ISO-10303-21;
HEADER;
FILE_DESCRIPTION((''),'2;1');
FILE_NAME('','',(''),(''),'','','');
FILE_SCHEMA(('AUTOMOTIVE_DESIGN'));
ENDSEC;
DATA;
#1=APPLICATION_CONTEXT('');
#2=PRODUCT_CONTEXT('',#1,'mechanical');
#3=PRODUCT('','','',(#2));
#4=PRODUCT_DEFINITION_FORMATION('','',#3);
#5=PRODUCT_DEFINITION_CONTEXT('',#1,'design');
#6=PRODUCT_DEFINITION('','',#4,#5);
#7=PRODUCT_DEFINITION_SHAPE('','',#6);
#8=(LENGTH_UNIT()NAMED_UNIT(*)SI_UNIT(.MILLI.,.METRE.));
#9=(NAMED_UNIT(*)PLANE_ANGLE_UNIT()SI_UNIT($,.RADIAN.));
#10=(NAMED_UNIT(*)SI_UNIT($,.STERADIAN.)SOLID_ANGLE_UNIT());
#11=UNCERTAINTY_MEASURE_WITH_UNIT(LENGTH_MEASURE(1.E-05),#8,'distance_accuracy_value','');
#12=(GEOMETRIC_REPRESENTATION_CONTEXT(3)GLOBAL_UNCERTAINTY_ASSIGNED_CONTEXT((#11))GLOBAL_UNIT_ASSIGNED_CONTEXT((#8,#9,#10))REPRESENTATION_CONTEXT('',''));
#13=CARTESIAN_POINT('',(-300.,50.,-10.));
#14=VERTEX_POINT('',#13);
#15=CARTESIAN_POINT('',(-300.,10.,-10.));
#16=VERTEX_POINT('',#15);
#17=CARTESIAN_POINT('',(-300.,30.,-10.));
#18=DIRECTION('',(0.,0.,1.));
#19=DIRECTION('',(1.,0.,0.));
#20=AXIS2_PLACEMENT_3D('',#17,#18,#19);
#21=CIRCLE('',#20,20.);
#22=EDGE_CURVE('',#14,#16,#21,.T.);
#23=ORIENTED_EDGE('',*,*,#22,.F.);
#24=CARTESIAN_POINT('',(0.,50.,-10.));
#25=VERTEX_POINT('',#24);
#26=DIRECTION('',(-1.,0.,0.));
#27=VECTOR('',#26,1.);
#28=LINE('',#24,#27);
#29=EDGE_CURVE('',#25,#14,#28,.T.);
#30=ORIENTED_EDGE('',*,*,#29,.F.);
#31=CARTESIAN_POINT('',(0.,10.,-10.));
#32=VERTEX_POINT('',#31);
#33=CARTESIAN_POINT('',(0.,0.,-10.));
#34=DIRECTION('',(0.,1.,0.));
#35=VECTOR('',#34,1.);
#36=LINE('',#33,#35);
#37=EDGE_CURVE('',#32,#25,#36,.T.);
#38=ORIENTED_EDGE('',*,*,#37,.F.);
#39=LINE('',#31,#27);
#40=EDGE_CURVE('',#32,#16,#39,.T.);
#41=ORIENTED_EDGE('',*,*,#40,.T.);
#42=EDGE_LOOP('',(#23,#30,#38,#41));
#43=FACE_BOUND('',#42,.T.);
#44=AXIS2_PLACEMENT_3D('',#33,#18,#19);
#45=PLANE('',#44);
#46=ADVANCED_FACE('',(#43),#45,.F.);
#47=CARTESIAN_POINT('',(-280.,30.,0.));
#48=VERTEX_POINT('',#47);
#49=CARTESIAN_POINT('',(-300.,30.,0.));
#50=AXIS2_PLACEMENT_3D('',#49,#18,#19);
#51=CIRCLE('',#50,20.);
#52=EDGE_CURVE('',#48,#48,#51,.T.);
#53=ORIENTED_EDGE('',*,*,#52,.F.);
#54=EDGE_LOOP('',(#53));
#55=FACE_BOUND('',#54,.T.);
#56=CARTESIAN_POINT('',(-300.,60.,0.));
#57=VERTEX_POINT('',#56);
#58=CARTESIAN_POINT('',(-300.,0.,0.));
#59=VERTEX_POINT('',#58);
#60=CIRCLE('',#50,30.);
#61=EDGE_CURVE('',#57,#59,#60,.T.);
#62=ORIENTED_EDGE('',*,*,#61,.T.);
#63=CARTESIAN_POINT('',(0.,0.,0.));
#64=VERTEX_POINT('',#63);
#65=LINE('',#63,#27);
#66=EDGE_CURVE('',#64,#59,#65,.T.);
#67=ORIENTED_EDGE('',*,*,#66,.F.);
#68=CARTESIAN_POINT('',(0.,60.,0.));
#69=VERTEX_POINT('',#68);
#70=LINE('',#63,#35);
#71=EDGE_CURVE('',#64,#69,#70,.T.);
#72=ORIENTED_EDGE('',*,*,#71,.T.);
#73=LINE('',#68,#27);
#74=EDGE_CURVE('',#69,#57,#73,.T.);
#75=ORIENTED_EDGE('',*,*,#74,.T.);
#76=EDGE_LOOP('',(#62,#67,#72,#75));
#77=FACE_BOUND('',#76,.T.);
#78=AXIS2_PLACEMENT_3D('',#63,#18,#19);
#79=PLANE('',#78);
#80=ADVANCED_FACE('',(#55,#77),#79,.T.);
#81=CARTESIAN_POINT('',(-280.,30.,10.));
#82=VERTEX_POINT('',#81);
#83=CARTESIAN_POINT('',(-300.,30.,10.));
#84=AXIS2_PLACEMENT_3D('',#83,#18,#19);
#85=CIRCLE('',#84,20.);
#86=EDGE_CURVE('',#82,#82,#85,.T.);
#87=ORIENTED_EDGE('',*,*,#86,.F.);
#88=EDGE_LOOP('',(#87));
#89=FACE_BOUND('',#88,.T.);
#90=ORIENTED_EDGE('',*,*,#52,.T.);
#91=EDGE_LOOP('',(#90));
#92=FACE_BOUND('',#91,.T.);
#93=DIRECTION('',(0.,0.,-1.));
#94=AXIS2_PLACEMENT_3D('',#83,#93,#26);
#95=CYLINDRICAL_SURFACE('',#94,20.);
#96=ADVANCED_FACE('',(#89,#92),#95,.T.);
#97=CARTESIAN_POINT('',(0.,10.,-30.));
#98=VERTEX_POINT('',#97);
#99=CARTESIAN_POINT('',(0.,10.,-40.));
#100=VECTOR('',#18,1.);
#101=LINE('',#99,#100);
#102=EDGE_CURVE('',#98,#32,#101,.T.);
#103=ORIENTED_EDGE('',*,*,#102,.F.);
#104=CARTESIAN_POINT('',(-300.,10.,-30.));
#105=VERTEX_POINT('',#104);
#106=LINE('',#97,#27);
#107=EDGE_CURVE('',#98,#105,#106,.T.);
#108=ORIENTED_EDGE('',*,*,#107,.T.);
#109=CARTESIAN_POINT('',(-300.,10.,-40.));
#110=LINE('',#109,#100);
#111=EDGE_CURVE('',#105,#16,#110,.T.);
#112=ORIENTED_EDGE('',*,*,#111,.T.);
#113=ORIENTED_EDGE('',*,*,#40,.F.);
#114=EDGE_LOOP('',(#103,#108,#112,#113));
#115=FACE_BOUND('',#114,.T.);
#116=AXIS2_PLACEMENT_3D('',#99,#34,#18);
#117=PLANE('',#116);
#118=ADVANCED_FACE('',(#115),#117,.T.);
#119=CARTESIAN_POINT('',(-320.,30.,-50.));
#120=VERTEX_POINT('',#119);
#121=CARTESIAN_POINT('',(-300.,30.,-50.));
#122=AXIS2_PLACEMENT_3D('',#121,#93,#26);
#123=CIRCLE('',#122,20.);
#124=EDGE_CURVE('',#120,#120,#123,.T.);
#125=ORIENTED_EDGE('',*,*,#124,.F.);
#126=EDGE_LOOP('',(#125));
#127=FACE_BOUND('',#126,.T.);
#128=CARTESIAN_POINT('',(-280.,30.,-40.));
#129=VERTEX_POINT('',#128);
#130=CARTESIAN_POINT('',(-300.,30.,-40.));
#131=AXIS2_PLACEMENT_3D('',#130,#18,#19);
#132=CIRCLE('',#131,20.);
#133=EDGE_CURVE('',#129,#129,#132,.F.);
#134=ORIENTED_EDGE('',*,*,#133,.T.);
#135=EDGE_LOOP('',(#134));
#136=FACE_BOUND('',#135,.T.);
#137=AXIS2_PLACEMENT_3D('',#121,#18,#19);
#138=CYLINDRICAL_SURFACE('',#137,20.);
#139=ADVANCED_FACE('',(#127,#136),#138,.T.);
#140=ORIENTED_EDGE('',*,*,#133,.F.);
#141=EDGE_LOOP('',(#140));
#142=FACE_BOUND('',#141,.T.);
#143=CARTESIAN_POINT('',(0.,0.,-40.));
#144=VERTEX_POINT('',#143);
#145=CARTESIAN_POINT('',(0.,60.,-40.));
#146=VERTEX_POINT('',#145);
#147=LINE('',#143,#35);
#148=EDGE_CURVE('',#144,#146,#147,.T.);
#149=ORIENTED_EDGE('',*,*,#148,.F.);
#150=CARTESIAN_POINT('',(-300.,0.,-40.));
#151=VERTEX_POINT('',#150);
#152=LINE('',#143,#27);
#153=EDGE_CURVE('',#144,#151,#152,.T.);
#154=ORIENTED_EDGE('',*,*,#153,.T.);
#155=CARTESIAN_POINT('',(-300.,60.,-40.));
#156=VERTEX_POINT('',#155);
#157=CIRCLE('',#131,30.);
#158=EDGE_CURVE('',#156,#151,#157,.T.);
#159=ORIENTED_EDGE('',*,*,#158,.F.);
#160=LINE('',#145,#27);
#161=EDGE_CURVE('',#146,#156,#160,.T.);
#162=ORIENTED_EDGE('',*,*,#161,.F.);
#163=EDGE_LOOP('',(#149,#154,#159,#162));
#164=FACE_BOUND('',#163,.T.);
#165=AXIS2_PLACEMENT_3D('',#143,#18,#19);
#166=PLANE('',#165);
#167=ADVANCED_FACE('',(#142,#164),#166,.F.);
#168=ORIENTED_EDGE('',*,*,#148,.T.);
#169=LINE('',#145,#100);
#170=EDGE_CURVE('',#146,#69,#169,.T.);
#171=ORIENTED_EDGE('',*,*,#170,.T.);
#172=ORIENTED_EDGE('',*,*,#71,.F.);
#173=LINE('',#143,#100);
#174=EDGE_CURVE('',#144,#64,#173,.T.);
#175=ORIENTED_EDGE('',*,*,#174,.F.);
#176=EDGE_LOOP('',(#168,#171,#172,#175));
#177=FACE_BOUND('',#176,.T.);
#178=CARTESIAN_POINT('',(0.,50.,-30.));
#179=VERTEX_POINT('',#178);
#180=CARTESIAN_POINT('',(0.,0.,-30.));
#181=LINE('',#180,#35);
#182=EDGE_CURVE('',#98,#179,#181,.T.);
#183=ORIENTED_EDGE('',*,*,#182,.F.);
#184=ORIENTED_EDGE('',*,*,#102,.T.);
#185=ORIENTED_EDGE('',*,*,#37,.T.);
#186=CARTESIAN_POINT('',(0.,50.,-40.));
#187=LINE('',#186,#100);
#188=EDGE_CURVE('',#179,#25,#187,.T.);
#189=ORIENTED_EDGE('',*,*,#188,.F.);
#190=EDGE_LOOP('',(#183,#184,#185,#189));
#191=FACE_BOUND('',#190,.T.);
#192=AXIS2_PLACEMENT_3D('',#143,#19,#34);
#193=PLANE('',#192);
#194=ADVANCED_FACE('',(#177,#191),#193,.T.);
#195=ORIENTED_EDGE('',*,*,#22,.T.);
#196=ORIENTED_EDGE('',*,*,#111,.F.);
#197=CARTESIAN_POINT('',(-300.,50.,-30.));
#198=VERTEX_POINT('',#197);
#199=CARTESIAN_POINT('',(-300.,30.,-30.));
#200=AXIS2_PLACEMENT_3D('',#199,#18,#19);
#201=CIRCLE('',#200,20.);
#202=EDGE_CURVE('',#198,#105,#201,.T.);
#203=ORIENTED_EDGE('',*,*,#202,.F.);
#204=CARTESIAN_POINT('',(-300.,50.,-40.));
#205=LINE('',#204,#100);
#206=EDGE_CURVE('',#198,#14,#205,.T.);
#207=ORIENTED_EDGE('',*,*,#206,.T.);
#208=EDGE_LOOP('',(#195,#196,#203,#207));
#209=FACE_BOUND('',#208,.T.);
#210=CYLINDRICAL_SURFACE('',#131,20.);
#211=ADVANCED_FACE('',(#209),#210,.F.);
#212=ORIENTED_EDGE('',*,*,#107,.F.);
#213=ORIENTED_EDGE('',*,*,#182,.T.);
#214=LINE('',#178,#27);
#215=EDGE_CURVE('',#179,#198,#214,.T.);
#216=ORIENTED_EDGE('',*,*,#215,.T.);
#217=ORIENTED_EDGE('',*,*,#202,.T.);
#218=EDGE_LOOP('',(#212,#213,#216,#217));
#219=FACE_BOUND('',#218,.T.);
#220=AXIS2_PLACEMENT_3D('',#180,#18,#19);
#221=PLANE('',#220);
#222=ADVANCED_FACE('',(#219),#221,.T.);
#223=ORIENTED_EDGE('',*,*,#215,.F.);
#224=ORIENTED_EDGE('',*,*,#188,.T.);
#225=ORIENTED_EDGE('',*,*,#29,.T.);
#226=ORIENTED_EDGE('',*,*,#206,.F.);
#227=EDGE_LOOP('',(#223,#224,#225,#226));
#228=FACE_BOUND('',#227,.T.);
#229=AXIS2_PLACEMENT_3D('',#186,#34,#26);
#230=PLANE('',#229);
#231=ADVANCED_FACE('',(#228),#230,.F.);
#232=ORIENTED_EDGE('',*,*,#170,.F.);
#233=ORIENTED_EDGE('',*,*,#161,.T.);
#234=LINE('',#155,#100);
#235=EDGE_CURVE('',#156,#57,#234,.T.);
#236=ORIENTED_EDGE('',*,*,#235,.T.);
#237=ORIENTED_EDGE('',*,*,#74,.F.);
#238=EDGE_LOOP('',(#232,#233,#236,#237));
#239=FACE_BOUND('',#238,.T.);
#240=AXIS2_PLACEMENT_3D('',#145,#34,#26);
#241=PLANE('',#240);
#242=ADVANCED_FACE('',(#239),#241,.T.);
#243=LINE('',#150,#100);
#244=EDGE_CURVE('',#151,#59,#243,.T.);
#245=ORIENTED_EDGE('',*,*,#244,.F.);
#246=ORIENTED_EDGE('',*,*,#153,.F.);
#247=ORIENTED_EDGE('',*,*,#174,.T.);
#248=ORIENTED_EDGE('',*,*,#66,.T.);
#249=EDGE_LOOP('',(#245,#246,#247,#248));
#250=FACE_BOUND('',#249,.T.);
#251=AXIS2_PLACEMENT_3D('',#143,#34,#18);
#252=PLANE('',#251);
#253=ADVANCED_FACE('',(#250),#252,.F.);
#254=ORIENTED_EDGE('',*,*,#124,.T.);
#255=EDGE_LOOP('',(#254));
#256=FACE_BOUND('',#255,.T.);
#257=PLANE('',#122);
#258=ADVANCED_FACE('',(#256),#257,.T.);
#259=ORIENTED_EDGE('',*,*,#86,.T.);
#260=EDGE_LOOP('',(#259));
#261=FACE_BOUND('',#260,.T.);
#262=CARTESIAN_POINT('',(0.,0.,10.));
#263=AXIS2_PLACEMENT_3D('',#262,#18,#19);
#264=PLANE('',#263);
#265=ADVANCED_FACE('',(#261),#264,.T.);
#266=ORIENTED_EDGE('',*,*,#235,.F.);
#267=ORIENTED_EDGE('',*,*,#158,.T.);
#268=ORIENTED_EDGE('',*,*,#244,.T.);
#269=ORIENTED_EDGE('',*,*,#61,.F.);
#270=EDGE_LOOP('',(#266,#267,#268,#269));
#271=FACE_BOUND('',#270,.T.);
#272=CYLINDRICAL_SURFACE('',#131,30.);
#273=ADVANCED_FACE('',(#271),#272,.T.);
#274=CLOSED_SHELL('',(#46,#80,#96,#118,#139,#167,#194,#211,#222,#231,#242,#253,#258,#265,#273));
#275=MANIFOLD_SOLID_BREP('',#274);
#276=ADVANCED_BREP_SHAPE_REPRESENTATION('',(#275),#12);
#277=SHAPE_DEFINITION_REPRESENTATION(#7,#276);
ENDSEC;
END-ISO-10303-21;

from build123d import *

# Parameters (mm, degrees)
BOSS_EXTRUDE1_DEPTH = 40
SHELL1_T            = -10
BOSS_EXTRUDE2_START = 10
SKETCH1_3_R         = 20
BOSS_EXTRUDE2_DEPTH = 10
SKETCH2_R           = 20
BOSS_EXTRUDE3_DEPTH = 10


with BuildPart() as part:
    # Sketch1 → Boss-Extrude1 (new body)
    with BuildSketch(Plane.XY):
        with BuildLine():
            Line((-300, 0), (0, 0))
            Line((0, 0), (0, 60))
            Line((0, 60), (-300, 60))
            ThreePointArc((-300, 60), (-330, 30), (-300, 0))
        make_face()
    extrude(amount=-BOSS_EXTRUDE1_DEPTH)

    # Shell1
    shell1_openings = [part.faces().sort_by_distance(p)[0] for p in [
        (0, 30, -20),
    ]]
    offset(amount=SHELL1_T, openings=shell1_openings, kind=Kind.INTERSECTION)

    # Sketch1<3> → Boss-Extrude2 (add)
    with BuildSketch(Plane.XY.offset(BOSS_EXTRUDE2_START)):
        with Locations((-300, 30)):
            Circle(SKETCH1_3_R)
    extrude(amount=-BOSS_EXTRUDE2_DEPTH)

    # Sketch2 → Boss-Extrude3 (add)
    with BuildSketch(Plane(origin=(0, 0, -40), x_dir=(-1, 0, 0), z_dir=(0, 0, -1))):
        with Locations((300, 30)):
            Circle(SKETCH2_R)
    extrude(amount=BOSS_EXTRUDE3_DEPTH)


solid = part.part
